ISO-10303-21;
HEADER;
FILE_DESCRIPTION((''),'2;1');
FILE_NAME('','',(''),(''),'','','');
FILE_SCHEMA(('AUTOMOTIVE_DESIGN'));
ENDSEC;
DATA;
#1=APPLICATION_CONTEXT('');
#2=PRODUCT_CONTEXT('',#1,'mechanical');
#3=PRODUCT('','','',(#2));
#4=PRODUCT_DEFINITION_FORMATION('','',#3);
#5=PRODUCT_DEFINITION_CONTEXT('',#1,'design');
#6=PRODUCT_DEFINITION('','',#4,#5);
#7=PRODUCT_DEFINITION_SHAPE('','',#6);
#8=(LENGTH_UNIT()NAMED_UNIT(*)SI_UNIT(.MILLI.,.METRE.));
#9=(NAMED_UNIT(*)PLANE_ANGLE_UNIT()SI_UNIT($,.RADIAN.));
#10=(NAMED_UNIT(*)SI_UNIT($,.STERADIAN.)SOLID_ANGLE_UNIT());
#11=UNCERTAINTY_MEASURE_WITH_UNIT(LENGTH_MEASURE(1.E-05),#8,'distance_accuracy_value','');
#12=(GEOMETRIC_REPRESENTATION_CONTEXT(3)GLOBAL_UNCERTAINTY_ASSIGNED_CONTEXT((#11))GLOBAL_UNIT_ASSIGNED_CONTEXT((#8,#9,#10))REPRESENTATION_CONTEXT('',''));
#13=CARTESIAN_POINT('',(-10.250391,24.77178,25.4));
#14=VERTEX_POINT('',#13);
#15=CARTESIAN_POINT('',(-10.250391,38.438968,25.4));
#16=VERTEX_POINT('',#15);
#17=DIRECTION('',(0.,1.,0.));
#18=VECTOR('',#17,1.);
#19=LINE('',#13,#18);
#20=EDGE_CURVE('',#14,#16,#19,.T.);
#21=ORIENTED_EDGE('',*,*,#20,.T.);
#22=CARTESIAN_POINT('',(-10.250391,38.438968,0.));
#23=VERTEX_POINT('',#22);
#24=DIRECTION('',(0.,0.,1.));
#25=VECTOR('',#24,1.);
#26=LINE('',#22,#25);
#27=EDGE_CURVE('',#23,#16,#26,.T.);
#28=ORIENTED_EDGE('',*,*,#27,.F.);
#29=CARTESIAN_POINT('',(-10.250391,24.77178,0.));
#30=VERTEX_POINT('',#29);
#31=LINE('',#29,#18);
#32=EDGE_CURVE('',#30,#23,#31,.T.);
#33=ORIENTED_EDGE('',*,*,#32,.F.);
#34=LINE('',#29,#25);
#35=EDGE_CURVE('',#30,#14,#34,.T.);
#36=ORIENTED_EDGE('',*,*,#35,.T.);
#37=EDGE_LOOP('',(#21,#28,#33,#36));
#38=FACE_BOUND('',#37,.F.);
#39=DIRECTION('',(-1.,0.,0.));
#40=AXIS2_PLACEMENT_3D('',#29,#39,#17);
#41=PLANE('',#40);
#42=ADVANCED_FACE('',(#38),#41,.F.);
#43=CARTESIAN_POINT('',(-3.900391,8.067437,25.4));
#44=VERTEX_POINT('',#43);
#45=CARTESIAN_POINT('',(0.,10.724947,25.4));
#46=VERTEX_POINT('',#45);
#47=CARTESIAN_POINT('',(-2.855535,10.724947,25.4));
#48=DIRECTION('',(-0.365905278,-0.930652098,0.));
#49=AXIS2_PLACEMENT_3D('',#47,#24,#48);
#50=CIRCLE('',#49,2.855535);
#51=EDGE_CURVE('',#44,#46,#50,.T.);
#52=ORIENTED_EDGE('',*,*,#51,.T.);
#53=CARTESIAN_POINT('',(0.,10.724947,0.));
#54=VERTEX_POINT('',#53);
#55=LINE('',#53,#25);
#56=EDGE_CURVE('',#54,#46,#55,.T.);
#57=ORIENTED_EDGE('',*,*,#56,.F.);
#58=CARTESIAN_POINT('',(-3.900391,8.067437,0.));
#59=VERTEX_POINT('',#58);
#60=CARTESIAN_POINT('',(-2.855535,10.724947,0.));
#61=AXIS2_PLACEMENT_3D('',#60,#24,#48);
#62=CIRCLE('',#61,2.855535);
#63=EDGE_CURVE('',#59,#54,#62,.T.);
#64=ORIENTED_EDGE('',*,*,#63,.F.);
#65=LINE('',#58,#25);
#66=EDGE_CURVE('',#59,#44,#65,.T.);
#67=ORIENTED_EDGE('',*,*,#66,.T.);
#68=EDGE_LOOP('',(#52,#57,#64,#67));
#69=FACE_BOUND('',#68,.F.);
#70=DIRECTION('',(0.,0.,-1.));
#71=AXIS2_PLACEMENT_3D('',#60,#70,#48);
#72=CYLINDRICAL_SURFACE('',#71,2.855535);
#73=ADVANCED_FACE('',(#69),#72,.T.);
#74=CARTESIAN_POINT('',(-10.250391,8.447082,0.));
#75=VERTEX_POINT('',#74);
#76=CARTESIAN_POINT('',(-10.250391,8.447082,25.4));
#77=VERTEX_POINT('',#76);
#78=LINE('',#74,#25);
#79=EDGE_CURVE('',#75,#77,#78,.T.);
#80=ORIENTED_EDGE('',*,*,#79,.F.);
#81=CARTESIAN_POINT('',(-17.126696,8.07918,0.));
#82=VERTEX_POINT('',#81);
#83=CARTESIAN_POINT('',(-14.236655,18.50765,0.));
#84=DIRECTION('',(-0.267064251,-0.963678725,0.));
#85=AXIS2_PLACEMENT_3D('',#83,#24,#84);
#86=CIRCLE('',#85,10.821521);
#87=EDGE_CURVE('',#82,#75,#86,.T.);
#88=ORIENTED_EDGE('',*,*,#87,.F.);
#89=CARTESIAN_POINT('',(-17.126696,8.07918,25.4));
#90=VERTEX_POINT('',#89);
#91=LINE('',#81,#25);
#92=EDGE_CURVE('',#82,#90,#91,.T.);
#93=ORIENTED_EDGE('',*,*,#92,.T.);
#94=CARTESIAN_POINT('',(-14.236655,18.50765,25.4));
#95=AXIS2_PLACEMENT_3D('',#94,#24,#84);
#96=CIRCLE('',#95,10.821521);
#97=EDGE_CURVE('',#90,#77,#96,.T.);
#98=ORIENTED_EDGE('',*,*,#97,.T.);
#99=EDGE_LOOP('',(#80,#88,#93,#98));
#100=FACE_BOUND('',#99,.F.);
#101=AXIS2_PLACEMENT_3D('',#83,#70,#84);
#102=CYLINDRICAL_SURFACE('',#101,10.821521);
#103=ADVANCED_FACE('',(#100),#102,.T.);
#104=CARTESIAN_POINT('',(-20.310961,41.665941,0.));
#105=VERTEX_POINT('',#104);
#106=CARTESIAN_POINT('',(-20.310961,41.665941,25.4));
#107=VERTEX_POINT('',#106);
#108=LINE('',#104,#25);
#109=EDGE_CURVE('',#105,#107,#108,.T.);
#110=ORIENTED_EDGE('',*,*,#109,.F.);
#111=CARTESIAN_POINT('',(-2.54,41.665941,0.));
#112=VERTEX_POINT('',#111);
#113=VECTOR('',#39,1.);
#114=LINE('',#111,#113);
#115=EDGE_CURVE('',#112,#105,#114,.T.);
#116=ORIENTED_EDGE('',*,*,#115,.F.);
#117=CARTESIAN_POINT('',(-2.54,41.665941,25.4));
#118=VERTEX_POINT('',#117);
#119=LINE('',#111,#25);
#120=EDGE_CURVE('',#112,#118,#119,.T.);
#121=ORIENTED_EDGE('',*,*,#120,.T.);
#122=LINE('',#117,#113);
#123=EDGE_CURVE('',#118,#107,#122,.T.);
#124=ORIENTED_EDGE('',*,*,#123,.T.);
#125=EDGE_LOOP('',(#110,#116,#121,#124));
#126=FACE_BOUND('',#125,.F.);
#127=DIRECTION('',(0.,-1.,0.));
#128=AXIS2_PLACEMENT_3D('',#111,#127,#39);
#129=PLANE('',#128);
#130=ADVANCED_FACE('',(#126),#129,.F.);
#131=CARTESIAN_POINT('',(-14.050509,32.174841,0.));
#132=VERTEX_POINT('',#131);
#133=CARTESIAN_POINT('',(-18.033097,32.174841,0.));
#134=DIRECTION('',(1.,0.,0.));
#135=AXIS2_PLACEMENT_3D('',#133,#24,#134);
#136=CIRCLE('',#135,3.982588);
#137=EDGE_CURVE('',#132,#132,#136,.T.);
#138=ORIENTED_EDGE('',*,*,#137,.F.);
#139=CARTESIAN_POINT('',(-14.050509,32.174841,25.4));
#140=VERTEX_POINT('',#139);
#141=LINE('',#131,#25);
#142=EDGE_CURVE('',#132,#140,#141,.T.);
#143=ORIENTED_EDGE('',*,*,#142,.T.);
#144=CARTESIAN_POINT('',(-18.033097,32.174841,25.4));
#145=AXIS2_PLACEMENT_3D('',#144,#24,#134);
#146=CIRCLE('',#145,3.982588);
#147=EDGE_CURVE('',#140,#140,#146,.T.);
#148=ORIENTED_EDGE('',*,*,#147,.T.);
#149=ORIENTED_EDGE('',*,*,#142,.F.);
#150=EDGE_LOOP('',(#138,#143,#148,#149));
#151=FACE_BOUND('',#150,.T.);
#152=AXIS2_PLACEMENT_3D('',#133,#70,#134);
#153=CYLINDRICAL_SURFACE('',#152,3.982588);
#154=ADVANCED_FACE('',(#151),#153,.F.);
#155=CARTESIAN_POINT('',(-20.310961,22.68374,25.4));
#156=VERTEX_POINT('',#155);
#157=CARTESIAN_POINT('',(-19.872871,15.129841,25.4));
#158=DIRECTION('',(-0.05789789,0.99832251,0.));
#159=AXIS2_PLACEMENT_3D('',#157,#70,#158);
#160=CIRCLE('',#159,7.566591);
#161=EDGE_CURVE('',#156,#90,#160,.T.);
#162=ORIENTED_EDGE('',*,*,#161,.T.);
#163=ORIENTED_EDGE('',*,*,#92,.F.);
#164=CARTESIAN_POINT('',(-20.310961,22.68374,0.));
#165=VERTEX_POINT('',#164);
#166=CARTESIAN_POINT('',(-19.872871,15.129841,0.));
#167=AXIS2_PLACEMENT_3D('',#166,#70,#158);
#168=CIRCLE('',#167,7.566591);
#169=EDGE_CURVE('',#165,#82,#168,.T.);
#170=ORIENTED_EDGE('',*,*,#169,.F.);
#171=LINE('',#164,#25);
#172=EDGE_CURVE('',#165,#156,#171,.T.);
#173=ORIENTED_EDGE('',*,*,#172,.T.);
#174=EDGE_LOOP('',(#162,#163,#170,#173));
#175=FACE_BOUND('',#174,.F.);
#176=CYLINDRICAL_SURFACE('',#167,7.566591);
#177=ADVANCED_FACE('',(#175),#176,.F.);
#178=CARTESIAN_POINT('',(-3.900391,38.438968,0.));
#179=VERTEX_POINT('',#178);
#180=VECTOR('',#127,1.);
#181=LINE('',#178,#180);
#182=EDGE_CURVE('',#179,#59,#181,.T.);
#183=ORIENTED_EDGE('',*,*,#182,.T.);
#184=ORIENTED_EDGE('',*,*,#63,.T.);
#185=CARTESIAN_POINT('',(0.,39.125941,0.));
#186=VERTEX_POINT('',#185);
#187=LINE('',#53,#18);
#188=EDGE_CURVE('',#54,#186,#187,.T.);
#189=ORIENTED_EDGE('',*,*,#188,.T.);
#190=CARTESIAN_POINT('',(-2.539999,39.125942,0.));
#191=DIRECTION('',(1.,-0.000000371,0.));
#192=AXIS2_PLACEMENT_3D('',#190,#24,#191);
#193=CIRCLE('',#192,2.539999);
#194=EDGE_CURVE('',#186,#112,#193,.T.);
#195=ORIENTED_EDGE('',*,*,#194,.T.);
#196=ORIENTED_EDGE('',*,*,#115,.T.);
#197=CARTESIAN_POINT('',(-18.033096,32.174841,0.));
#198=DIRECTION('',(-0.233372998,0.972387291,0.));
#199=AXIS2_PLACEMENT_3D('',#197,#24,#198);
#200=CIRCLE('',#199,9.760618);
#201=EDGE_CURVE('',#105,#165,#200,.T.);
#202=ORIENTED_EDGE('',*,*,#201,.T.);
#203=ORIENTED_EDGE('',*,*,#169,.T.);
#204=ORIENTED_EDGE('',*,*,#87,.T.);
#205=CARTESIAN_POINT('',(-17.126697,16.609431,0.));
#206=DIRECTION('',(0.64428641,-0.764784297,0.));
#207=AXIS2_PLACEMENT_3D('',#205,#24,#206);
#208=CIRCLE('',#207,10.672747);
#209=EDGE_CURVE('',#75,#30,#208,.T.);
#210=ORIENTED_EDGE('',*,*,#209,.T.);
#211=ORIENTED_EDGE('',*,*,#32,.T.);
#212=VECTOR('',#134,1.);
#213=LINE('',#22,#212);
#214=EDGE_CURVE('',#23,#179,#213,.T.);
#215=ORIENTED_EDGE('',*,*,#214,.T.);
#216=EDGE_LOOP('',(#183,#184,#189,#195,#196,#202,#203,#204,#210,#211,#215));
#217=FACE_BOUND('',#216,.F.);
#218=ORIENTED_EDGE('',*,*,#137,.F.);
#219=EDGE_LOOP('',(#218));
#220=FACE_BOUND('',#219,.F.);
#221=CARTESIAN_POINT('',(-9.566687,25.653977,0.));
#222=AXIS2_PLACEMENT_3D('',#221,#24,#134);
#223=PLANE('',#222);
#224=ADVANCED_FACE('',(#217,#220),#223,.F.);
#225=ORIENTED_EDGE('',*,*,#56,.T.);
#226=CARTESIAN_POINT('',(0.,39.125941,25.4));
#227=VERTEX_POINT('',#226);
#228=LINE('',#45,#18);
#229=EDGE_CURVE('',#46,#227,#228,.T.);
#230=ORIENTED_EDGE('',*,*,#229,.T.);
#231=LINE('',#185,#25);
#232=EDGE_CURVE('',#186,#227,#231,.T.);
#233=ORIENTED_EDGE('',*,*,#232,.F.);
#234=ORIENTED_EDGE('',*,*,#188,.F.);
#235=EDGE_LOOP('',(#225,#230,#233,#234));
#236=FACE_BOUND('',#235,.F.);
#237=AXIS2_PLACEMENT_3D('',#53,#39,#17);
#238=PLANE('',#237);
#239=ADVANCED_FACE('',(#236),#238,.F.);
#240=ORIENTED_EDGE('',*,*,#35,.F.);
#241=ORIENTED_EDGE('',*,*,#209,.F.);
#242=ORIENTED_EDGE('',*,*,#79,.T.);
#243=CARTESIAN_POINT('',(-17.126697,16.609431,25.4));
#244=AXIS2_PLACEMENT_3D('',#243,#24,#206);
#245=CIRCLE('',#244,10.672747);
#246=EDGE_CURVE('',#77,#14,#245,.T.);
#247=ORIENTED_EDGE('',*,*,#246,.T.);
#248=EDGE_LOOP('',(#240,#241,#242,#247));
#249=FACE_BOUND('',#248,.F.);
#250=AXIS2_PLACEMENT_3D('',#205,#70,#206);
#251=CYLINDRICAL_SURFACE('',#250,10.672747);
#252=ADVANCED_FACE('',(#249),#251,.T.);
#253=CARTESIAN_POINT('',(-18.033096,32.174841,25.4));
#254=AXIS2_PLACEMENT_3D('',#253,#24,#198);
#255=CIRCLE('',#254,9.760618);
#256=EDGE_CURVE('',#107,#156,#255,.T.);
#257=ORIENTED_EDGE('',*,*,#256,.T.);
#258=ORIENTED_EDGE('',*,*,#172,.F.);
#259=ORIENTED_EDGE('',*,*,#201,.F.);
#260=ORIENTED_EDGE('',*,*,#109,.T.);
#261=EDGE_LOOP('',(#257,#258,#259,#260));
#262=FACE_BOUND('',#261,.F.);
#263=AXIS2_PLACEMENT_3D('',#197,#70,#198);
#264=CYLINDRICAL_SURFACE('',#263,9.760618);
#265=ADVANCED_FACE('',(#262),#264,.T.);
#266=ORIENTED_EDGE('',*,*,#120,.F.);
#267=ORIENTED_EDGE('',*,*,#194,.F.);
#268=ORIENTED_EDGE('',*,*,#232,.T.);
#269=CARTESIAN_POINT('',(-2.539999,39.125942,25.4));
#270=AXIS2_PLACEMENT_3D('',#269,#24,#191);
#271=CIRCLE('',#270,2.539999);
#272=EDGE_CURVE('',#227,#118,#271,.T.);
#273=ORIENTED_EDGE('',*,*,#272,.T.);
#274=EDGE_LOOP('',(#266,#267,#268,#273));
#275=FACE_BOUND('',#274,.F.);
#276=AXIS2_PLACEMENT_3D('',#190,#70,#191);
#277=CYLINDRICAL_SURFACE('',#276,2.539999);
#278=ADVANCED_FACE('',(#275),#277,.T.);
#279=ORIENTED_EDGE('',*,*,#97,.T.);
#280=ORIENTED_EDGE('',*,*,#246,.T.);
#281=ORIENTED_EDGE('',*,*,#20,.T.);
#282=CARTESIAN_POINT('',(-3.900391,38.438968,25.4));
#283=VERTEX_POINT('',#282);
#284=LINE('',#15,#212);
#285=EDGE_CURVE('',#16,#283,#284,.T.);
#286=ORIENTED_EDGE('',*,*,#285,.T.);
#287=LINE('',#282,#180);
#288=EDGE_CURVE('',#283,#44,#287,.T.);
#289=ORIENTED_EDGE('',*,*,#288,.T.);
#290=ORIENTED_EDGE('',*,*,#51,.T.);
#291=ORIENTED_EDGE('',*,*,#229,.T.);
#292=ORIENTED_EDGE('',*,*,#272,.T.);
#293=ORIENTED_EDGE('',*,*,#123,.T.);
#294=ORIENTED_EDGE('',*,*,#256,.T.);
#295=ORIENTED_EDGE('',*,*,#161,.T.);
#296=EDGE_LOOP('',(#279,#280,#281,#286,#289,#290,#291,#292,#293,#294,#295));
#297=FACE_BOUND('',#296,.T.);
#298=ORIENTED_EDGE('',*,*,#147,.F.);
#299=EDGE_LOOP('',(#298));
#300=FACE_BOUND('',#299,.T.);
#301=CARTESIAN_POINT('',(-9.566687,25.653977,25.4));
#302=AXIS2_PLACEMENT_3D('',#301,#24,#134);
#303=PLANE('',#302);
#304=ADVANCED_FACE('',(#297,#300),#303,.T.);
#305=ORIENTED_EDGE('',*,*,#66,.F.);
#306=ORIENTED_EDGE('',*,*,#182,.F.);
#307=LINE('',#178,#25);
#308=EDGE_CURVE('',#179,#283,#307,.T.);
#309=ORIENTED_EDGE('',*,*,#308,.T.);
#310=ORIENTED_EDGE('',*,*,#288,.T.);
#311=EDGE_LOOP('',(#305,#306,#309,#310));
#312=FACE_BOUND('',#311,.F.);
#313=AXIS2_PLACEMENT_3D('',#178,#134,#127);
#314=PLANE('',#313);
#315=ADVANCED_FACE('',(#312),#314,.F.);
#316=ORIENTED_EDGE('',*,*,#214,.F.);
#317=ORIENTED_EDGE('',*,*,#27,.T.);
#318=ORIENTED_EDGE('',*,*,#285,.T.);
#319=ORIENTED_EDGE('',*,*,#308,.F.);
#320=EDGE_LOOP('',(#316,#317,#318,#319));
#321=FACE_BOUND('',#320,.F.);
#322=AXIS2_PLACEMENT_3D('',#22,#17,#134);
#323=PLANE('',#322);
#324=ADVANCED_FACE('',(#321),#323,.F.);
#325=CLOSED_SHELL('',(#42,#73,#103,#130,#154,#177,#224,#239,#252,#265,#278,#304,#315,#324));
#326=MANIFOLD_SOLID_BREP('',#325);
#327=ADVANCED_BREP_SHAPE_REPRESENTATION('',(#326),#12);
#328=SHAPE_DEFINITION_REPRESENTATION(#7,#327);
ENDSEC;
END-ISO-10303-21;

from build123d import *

# Parameters (mm, degrees)
F0_R     = 3.982588
F1_DEPTH = 25.4


with BuildPart() as f1:
    # F0 (on Top) → F1 (new body)
    with BuildSketch(Plane.XY):
        with BuildLine():
            ThreePointArc((-10.250391, 8.447082), (-6.45395, 16.609431), (-10.250391, 24.77178))
            Line((-10.250391, 24.77178), (-10.250391, 38.438968))
            Line((-10.250391, 38.438968), (-3.900391, 38.438968))
            Line((-3.900391, 38.438968), (-3.900391, 8.067437))
            ThreePointArc((-3.900391, 8.067437), (-1.247671, 8.365105), (0, 10.724947))
            Line((0, 10.724947), (0, 39.125941))
            ThreePointArc((0, 39.125941), (-0.743949, 40.921993), (-2.54, 41.665941))
            Line((-2.54, 41.665941), (-20.310961, 41.665941))
            ThreePointArc((-20.310961, 41.665941), (-27.793714, 32.174841), (-20.310961, 22.68374))
            ThreePointArc((-20.310961, 22.68374), (-12.479962, 16.741734), (-17.126696, 8.07918))
            ThreePointArc((-17.126696, 8.07918), (-13.658499, 7.701584), (-10.250391, 8.447082))
        make_face()
        with Locations((-18.033097, 32.174841)):
            Circle(F0_R, mode=Mode.SUBTRACT)
    extrude(amount=F1_DEPTH)


solid = f1.part
